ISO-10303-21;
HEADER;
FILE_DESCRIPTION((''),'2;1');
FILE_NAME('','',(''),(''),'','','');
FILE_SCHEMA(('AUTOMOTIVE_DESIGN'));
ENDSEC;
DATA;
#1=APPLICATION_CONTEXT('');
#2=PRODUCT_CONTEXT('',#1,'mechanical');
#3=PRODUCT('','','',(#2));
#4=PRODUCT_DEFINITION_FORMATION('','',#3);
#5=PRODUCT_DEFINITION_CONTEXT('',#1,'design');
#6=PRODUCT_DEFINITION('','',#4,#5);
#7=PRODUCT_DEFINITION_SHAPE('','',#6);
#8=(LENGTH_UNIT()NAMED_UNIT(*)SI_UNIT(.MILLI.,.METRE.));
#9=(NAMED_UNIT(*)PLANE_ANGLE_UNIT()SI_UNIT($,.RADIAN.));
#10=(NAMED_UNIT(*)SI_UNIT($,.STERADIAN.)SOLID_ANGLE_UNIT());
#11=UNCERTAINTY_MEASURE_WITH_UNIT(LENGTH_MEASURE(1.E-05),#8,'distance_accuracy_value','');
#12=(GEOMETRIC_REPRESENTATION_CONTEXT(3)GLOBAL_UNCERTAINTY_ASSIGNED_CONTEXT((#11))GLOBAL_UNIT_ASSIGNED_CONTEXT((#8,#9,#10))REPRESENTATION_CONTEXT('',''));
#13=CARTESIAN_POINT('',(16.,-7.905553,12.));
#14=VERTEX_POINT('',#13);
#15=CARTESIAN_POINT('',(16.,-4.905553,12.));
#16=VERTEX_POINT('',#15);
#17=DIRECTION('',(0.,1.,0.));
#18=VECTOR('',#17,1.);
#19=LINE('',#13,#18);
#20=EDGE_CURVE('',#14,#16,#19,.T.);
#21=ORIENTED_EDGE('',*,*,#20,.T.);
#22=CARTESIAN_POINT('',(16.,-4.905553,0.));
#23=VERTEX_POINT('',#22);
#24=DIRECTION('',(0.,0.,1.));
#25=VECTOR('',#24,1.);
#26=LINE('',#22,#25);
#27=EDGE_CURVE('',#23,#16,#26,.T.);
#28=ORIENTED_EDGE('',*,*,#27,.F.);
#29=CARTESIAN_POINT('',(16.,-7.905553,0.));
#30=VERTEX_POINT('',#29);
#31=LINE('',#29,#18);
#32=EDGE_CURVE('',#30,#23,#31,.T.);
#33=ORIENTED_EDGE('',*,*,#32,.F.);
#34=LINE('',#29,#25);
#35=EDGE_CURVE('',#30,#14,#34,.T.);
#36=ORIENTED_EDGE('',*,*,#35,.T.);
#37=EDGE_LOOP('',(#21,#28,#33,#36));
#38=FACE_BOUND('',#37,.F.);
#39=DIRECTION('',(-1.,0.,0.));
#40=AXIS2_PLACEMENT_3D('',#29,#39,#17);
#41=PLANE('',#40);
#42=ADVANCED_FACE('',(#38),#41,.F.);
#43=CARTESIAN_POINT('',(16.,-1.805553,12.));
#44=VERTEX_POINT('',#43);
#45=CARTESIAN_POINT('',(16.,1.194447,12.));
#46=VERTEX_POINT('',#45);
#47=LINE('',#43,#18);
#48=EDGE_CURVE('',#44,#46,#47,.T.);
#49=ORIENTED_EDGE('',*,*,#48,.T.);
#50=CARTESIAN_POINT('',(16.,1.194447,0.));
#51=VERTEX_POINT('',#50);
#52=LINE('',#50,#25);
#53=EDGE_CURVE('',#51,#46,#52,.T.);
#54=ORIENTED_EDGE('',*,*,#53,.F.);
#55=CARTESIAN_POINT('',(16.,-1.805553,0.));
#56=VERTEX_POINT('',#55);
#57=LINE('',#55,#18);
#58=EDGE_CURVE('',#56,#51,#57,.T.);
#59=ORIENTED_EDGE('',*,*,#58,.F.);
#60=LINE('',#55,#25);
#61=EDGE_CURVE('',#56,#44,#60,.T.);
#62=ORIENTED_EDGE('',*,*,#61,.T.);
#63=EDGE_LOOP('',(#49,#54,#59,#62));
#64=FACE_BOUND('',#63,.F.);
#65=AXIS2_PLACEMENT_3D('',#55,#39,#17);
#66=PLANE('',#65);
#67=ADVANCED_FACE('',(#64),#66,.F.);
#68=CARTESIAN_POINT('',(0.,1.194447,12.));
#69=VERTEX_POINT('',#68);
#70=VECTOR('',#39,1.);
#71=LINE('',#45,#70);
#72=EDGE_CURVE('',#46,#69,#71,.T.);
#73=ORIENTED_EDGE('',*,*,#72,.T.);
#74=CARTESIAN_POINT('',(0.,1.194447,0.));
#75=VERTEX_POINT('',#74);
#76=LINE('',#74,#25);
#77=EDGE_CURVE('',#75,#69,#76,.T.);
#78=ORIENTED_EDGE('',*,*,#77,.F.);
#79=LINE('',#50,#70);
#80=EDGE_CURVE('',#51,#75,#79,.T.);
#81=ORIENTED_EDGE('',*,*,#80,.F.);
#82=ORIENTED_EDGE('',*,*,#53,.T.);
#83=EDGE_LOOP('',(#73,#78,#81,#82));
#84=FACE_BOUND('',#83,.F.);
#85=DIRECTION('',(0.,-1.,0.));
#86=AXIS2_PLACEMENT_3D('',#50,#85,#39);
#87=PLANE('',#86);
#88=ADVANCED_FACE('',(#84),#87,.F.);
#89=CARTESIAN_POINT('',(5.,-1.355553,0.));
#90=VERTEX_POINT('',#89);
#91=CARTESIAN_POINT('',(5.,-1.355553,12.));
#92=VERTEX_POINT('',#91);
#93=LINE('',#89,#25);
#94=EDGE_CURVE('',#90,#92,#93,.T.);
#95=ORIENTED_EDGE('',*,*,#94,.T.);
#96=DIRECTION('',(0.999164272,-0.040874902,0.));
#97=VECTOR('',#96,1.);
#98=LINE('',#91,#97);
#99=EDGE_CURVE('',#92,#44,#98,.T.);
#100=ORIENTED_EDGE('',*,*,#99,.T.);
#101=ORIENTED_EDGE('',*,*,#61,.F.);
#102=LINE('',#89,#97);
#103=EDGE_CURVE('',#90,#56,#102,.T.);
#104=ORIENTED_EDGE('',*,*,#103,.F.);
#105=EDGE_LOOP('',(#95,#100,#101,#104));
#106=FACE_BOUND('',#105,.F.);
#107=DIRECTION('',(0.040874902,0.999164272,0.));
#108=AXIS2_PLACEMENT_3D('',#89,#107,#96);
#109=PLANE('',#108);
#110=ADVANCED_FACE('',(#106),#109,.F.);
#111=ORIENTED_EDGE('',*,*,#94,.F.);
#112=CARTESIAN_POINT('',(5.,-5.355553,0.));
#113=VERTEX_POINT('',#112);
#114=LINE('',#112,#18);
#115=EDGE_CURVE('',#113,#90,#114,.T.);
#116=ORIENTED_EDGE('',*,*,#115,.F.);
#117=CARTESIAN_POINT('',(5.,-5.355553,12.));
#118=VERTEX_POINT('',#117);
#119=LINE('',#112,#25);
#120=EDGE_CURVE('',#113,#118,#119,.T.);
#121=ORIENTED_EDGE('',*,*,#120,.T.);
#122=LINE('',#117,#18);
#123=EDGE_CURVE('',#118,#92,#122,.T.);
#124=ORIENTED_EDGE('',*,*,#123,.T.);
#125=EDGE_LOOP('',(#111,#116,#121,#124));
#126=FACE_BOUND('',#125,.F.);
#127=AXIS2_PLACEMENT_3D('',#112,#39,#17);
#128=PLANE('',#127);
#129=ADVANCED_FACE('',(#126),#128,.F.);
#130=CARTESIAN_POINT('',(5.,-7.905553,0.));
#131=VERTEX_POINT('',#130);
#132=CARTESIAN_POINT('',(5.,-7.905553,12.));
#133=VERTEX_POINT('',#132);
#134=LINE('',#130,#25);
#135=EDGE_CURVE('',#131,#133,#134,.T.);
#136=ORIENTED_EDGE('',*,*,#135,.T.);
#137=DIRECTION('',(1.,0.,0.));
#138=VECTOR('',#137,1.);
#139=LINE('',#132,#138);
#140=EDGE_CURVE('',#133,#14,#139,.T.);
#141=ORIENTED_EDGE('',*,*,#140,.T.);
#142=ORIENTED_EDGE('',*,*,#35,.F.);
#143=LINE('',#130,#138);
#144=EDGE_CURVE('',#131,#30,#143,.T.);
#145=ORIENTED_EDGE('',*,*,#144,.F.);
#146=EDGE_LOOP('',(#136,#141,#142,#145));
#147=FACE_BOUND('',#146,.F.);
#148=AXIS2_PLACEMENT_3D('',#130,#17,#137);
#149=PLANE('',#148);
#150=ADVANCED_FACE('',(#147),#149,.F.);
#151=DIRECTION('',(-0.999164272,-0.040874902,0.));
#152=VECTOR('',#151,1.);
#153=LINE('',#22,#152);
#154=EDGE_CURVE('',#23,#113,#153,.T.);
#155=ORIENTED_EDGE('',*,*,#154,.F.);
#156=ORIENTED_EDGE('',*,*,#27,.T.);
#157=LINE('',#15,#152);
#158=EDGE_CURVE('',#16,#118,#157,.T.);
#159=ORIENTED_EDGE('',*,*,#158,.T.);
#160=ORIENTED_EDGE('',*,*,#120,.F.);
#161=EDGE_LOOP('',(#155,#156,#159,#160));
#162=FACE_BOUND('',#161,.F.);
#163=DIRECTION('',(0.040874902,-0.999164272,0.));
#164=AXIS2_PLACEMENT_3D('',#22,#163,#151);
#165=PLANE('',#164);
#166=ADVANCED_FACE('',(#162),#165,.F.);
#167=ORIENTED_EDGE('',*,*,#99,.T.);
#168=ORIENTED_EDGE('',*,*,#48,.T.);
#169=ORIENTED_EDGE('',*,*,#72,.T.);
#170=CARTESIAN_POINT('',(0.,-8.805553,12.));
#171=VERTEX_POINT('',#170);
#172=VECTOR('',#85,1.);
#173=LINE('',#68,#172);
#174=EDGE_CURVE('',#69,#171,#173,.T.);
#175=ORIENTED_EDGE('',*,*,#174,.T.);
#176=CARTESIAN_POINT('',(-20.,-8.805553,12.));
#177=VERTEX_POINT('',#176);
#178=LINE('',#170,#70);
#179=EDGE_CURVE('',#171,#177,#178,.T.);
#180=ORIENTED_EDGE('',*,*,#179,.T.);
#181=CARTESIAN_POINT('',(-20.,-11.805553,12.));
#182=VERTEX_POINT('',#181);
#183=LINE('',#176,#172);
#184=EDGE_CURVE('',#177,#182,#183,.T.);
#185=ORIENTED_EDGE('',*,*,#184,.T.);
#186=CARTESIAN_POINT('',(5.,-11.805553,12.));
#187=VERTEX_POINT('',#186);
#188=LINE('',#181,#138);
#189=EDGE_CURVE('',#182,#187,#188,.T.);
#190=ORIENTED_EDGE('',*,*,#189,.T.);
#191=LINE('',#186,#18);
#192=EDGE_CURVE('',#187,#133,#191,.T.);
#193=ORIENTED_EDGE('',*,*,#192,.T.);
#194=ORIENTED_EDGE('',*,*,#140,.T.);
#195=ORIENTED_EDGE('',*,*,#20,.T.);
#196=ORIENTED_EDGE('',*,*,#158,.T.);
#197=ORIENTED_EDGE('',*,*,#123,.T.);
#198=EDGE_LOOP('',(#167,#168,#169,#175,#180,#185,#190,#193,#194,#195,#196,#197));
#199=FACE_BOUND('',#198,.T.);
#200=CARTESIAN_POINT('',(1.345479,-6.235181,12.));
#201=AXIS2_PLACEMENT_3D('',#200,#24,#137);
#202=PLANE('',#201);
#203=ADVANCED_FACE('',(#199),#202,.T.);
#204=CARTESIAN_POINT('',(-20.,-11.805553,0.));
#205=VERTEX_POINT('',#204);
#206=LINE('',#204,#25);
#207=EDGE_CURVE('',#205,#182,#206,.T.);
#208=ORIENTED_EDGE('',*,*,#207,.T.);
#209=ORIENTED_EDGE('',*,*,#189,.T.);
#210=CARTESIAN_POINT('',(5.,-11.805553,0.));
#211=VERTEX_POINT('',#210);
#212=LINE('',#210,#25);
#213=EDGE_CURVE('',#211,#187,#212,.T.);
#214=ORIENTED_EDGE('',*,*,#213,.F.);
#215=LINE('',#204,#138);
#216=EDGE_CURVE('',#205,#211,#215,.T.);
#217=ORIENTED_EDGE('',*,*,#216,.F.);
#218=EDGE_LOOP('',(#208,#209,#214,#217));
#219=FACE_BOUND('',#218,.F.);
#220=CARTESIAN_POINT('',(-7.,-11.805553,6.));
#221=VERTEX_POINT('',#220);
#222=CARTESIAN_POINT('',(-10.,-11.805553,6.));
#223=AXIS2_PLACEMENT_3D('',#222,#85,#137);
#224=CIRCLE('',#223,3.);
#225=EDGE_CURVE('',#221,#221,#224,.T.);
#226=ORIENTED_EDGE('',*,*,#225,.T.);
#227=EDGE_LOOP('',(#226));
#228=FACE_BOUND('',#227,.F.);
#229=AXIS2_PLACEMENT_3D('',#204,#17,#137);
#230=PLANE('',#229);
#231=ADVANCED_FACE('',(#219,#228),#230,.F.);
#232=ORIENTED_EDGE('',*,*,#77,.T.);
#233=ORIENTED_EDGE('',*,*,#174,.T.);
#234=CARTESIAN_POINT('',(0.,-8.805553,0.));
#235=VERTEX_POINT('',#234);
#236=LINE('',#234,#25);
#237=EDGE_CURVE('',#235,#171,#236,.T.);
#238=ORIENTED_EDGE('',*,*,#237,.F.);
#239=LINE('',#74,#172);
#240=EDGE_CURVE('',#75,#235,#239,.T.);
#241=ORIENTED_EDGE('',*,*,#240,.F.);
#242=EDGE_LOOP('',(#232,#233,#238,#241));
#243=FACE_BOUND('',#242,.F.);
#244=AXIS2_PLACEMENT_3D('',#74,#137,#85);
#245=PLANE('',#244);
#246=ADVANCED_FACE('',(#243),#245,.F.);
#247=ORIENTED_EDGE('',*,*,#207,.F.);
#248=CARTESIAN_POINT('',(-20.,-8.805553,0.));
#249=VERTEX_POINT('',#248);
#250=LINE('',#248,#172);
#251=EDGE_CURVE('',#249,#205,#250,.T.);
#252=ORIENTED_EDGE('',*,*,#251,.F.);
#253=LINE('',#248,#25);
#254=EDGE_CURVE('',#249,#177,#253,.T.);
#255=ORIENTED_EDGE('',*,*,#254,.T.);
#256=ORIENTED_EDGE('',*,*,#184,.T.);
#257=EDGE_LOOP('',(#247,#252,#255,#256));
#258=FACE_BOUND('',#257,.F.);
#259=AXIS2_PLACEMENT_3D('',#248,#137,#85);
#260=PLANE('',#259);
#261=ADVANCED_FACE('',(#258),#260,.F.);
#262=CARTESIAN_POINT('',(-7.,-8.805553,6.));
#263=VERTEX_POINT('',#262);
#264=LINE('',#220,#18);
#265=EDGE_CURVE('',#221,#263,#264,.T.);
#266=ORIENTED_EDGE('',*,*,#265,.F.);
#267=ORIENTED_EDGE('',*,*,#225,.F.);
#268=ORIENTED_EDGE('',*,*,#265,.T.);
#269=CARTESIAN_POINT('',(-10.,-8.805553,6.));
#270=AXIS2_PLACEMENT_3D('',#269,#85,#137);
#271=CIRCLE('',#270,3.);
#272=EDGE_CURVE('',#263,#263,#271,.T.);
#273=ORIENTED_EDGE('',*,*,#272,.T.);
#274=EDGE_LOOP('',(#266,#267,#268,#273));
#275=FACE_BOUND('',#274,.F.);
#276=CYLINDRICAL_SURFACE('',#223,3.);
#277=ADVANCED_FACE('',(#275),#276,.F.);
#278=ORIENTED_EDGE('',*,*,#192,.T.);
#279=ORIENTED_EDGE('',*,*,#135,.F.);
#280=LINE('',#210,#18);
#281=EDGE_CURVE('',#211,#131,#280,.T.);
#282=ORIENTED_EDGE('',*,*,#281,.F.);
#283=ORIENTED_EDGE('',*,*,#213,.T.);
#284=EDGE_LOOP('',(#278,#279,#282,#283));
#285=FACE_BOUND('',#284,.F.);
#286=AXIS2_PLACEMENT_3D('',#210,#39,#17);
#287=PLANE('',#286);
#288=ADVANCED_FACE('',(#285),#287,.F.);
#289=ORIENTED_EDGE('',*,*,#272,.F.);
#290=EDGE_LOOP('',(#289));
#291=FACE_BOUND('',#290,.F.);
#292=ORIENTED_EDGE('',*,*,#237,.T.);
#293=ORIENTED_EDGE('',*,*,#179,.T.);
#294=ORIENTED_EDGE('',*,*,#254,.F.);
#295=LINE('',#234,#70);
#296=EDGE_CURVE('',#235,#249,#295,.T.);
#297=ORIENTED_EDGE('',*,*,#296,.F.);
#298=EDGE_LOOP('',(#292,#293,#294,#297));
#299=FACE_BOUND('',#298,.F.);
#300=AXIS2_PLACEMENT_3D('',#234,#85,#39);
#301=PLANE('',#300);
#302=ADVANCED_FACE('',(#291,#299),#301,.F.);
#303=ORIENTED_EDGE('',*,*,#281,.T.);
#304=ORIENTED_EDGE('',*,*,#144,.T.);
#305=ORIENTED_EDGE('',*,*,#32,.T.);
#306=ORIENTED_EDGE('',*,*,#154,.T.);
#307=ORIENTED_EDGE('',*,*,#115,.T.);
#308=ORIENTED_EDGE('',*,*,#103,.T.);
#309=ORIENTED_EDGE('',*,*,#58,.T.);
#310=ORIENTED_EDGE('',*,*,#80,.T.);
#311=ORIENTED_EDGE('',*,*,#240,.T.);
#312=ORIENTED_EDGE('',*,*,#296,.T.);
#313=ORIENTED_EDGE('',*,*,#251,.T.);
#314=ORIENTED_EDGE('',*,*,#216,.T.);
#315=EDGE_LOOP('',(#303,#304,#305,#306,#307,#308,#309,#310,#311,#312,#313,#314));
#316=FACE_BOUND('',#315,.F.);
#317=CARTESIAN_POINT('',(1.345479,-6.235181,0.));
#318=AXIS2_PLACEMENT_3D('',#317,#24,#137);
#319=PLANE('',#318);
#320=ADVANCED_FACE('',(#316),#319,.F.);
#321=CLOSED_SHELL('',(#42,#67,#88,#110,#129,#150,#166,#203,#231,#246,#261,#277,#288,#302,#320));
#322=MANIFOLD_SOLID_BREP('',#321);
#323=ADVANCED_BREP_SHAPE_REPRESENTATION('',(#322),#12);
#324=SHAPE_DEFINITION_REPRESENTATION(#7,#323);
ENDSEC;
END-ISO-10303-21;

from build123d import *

# Parameters (mm, degrees)
PAD_DEPTH   = 12
SKETCH001_R = 3
HOLE_DEPTH  = 25


with BuildPart() as part:
    # Sketch → Pad (new body)
    with BuildSketch(Plane.XY):
        Polygon((-20, -11.805553), (5, -11.805553), (5, -7.905553), (16, -7.905553), (16, -4.905553), (5, -5.355553), (5, -1.355553), (16, -1.805553), (16, 1.194447), (5, 1.194447), (0, 1.194447), (0, -8.805553), (-20, -8.805553), align=None)
    extrude(amount=PAD_DEPTH)

    # Sketch001 (on Face5 of Pad) → Hole (cut)
    with BuildSketch(Plane.XZ.offset(11.805553)):
        with Locations((-10, 6)):
            Circle(SKETCH001_R)
    extrude(amount=-HOLE_DEPTH, mode=Mode.SUBTRACT)


solid = part.part
